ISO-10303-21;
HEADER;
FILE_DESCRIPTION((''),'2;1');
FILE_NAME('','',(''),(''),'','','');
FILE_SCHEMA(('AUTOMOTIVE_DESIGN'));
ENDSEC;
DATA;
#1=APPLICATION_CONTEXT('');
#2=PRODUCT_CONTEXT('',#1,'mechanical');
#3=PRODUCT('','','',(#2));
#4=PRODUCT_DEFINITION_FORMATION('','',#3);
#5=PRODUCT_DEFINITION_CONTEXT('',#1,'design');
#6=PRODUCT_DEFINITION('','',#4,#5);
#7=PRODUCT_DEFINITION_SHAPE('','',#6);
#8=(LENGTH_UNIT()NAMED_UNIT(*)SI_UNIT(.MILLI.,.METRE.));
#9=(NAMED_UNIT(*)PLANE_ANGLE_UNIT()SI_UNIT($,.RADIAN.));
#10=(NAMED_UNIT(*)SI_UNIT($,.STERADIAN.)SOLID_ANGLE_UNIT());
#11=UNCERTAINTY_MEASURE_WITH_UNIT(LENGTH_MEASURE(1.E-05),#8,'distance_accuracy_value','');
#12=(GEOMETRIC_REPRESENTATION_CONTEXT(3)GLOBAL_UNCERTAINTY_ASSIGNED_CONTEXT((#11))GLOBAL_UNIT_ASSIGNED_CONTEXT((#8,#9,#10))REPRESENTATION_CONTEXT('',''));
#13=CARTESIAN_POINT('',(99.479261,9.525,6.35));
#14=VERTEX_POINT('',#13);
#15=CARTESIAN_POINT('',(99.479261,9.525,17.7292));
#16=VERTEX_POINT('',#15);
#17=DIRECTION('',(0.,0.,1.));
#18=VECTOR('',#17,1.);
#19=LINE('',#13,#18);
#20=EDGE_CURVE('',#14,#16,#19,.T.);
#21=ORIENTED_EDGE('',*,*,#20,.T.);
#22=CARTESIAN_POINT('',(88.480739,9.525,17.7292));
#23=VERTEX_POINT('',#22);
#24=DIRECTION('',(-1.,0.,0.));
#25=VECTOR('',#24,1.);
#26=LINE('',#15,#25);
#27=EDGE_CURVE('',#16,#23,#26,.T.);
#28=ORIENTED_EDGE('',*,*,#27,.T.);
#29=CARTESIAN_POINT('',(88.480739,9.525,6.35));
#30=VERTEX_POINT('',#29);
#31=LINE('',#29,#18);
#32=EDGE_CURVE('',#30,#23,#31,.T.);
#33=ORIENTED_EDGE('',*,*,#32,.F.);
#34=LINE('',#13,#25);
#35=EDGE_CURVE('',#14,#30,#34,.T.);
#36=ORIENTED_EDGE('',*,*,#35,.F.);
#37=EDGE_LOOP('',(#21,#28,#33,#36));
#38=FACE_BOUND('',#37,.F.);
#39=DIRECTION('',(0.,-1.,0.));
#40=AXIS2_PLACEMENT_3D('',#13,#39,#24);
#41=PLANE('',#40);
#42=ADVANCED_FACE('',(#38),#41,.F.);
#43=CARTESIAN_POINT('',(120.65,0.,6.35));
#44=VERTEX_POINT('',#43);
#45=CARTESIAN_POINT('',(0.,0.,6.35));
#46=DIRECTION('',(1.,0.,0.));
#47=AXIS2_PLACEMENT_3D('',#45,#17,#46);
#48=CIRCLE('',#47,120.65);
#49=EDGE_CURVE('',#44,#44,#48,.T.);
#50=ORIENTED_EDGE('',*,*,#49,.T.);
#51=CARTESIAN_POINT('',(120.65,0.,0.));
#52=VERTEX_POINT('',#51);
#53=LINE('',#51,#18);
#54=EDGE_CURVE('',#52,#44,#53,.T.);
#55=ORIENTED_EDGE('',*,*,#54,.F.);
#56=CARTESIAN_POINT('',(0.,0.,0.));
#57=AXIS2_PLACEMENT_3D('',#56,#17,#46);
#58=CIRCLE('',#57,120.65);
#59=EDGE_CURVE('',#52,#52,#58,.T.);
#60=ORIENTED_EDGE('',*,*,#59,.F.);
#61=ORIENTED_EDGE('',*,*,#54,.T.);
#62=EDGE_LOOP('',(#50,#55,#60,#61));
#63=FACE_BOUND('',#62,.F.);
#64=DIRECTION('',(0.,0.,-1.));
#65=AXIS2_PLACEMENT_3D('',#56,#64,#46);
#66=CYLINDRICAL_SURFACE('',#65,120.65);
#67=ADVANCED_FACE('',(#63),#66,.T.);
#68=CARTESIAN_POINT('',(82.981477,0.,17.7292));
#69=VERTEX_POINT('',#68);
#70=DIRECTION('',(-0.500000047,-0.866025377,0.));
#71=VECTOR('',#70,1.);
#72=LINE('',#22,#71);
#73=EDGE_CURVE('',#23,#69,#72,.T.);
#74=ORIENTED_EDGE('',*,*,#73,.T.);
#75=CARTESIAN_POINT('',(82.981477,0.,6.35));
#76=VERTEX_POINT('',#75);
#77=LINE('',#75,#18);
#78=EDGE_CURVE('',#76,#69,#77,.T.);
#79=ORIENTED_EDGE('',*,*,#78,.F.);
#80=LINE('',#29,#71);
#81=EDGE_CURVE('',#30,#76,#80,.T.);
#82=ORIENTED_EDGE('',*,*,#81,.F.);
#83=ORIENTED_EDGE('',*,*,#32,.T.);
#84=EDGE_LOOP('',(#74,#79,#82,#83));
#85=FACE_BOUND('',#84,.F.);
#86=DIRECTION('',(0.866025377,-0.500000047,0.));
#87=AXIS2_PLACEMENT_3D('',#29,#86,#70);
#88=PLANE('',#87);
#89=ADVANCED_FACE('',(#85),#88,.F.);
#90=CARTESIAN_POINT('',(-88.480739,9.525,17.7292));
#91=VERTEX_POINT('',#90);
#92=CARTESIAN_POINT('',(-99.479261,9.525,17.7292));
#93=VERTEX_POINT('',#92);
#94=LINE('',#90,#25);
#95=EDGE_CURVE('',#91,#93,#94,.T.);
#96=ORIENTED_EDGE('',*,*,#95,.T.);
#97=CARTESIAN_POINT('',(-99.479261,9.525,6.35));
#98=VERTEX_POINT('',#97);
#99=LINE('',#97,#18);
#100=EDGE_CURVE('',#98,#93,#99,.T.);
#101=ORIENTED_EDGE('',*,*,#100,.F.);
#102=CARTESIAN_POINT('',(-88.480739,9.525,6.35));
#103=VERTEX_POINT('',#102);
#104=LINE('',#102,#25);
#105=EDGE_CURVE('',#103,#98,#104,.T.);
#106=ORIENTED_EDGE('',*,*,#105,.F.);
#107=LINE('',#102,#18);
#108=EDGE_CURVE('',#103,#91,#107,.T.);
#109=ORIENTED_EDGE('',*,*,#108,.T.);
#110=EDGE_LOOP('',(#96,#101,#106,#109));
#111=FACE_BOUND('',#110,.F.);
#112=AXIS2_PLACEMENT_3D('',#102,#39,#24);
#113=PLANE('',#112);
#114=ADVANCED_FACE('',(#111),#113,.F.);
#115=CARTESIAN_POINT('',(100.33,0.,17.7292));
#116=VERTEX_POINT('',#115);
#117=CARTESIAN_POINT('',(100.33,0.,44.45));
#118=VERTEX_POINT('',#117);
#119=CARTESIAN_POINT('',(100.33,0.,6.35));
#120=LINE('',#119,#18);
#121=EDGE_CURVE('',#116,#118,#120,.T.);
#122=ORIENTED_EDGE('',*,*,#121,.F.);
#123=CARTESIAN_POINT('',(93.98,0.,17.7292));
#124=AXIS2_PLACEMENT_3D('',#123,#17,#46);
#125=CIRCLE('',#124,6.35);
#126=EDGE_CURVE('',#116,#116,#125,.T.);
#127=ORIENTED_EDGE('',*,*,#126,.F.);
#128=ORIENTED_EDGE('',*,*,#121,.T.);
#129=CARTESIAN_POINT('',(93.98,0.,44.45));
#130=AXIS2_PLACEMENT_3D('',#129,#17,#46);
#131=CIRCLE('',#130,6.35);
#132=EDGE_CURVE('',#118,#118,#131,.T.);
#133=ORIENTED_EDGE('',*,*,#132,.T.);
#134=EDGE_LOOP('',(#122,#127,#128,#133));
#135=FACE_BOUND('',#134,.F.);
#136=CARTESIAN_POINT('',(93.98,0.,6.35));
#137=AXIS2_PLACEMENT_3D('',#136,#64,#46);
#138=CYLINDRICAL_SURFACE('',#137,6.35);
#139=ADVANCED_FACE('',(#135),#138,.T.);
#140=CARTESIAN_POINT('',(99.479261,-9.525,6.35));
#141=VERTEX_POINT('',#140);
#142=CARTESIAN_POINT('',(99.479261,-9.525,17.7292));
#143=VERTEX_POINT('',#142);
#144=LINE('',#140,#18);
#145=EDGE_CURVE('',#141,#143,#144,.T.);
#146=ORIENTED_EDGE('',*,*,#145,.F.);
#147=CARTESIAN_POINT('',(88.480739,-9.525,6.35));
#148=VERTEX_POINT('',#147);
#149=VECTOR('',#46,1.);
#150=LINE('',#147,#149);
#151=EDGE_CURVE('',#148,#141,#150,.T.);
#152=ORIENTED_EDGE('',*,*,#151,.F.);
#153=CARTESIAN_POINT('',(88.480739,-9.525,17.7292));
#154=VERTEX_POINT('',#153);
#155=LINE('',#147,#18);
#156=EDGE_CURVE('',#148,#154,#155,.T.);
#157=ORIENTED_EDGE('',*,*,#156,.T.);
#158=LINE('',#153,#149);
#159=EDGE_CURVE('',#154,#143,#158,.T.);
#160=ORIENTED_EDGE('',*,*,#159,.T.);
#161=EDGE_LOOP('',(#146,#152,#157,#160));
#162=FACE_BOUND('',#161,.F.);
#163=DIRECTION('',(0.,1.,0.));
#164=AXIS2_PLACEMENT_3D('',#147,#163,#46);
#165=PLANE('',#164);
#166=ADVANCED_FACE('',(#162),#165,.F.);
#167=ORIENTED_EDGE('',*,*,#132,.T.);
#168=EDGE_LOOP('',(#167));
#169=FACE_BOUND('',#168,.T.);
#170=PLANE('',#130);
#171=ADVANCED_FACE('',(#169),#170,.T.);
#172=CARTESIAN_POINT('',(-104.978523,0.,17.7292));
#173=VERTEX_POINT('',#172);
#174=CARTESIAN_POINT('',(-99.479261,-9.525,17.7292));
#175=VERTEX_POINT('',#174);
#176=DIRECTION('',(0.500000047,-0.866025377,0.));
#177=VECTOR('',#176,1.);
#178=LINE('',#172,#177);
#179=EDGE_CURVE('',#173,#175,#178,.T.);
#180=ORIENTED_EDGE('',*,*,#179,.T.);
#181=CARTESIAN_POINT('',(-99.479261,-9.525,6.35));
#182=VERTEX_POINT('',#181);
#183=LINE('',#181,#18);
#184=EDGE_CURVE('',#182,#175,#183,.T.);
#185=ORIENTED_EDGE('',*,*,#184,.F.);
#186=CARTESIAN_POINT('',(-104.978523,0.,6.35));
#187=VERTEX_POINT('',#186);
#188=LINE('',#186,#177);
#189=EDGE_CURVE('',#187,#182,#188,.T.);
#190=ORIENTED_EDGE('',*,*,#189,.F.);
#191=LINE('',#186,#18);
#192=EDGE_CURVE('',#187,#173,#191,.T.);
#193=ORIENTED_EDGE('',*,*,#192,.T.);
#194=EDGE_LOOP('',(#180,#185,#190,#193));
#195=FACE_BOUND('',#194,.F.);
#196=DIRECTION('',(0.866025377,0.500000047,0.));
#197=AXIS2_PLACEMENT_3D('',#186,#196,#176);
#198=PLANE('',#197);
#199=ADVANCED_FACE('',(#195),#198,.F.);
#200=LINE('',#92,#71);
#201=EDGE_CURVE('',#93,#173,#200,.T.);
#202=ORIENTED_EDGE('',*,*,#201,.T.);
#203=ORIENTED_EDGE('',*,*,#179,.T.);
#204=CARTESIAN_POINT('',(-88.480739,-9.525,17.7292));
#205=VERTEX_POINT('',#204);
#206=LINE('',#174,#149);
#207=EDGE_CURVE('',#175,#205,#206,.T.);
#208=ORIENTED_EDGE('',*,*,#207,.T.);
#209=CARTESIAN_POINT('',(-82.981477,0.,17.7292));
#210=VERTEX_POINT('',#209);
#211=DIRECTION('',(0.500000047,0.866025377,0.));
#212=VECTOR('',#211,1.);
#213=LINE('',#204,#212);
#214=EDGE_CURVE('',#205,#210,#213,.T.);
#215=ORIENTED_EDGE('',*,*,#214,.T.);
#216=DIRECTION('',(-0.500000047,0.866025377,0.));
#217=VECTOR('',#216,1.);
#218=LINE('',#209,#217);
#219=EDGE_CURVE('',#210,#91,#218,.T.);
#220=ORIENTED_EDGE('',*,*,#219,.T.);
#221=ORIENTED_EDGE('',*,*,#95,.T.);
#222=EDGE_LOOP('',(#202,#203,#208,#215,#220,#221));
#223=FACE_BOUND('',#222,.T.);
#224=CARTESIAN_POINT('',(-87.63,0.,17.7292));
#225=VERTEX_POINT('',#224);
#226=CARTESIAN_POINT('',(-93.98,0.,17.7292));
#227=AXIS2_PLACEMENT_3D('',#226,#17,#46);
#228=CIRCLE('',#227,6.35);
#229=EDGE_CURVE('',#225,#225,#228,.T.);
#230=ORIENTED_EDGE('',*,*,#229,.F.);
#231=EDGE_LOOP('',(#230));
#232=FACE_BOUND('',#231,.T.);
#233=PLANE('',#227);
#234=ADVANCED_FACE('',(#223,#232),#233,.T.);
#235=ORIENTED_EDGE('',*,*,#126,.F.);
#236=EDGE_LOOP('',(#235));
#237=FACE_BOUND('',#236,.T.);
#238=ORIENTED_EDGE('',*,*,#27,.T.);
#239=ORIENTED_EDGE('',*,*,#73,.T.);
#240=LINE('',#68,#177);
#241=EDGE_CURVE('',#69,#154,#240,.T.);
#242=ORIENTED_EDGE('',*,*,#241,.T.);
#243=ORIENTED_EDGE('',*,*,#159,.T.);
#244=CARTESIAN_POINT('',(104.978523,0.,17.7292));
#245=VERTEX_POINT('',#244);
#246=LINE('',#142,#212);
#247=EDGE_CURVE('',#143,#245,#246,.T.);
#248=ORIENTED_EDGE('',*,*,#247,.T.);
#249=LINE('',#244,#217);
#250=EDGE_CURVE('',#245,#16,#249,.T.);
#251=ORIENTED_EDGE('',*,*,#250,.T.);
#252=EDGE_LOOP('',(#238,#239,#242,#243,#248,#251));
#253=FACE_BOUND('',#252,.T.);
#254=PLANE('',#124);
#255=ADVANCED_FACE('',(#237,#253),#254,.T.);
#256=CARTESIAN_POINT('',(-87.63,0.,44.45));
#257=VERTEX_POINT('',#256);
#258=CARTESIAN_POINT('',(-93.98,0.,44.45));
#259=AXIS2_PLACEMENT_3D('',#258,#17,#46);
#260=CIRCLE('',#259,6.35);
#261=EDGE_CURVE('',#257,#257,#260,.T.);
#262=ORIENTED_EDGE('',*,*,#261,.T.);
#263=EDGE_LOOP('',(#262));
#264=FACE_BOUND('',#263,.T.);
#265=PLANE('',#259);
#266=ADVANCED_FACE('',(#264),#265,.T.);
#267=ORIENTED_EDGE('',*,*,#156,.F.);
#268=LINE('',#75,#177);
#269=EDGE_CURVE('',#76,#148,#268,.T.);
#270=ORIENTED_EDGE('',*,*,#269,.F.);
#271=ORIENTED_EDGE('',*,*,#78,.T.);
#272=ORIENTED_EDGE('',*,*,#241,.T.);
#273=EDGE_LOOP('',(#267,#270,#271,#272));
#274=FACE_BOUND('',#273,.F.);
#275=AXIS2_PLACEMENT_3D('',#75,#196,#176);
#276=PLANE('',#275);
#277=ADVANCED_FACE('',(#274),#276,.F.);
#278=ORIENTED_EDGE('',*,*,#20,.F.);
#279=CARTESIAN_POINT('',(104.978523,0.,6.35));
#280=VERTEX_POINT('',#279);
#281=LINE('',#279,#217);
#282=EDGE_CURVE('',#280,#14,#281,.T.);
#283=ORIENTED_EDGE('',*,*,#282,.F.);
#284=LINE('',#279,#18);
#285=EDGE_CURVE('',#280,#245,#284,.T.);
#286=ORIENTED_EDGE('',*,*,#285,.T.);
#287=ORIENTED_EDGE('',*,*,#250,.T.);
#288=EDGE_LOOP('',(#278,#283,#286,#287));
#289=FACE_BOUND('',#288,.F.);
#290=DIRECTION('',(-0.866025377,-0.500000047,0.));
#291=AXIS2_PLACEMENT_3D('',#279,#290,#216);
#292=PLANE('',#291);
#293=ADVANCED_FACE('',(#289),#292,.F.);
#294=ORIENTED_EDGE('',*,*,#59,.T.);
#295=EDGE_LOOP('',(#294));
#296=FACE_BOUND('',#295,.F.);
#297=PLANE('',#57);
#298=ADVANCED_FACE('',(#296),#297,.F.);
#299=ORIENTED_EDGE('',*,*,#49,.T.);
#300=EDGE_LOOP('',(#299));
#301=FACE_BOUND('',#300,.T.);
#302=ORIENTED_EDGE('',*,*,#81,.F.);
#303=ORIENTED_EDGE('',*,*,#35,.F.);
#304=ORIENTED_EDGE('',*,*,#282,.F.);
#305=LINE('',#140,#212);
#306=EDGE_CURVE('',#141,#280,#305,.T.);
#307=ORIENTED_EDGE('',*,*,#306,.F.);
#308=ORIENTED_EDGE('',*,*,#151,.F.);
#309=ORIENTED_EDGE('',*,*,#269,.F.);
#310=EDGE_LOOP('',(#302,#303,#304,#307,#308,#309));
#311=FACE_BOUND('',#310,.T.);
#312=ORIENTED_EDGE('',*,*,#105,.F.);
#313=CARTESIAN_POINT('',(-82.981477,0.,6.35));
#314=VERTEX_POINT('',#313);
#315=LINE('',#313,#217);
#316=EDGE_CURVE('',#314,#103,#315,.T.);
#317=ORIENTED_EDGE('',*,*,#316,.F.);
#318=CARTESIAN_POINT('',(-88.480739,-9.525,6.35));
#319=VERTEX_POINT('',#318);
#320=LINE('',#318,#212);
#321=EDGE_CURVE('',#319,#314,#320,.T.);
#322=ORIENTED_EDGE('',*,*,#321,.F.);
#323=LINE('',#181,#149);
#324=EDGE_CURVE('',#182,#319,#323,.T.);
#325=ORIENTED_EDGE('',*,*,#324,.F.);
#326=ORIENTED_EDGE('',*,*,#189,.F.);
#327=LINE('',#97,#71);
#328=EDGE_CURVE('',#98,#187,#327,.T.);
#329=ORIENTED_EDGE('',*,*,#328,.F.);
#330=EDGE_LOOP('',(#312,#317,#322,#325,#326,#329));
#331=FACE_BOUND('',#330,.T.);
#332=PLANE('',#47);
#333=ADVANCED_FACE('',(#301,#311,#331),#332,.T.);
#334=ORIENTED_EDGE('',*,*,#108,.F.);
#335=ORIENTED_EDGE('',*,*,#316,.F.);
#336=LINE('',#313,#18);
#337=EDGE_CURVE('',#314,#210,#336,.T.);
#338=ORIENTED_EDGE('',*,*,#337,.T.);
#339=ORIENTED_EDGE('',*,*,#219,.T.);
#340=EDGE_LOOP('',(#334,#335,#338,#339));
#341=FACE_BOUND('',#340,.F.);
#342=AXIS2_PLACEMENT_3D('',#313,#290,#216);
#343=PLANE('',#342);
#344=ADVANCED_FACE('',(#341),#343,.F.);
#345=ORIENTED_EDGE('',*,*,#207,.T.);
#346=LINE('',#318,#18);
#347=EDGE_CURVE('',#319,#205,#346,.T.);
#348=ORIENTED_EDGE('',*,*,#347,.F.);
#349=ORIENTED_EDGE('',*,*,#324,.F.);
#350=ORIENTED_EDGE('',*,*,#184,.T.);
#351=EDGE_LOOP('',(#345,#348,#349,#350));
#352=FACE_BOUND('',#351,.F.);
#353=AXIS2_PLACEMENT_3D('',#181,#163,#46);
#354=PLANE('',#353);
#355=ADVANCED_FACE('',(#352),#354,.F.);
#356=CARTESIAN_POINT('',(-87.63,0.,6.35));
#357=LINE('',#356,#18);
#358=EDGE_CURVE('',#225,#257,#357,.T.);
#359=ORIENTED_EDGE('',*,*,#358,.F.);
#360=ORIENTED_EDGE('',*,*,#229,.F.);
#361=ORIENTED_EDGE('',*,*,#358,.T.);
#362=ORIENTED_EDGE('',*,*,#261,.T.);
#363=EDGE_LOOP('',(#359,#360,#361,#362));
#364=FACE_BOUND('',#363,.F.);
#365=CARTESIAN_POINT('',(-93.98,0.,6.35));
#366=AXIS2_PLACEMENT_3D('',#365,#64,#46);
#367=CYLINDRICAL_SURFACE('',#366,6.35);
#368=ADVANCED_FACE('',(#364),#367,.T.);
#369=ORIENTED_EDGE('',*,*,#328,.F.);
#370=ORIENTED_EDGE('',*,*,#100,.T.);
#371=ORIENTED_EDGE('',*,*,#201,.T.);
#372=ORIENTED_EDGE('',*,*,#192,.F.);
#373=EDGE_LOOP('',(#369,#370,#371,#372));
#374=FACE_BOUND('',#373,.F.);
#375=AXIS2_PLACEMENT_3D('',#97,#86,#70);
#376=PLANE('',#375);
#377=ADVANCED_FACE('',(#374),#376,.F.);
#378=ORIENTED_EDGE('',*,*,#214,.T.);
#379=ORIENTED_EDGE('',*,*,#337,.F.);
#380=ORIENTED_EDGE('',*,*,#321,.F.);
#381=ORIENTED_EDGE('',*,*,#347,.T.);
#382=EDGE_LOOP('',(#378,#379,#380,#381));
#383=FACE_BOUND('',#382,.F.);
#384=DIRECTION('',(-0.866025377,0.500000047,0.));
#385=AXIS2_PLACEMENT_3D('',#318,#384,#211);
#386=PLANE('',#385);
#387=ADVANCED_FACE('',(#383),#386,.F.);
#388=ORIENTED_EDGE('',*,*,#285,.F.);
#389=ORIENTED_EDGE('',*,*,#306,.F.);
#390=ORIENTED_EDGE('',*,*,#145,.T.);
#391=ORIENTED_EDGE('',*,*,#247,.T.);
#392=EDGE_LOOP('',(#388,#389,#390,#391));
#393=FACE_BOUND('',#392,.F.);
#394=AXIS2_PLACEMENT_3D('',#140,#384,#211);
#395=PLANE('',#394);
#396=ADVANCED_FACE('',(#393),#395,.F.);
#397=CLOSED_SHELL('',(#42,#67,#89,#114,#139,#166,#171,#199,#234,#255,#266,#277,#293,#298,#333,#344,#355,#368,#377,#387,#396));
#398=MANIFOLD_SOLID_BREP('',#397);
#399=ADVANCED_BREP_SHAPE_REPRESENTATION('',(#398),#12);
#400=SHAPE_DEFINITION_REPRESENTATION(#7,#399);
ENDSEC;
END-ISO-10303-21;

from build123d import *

# Parameters (mm, degrees)
F0_R     = 120.65
F1_DEPTH = 6.35
F2_R     = 6.35
F3_DEPTH = 38.1
F4_R     = 6.35
F5_DEPTH = 11.3792


with BuildPart() as f1:
    # F0 (on Top) → F1 (new body)
    with BuildSketch(Plane.XY):
        Circle(F0_R)
    extrude(amount=F1_DEPTH)

    # F2 (on face) → F3 (join)
    with BuildSketch(Plane.XY.offset(6.35)):
        with Locations((-93.98, 0)):
            Circle(F2_R)
        with Locations((93.98, 0)):
            Circle(F2_R)
    extrude(amount=F3_DEPTH)

    # F4 (on face) → F5 (join)
    with BuildSketch(Plane.XY.offset(6.35)):
        Polygon((-88.480739, 9.525), (-99.479261, 9.525), (-104.978523, 0), (-99.479261, -9.525), (-88.480739, -9.525), (-82.981477, 0), align=None)
        with Locations((-93.98, 0)):
            Circle(F4_R, mode=Mode.SUBTRACT)
        Polygon((99.479261, 9.525), (88.480739, 9.525), (82.981477, 0), (88.480739, -9.525), (99.479261, -9.525), (104.978523, 0), align=None)
        with Locations((93.98, 0)):
            Circle(F4_R, mode=Mode.SUBTRACT)
    extrude(amount=F5_DEPTH)


solid = f1.part
